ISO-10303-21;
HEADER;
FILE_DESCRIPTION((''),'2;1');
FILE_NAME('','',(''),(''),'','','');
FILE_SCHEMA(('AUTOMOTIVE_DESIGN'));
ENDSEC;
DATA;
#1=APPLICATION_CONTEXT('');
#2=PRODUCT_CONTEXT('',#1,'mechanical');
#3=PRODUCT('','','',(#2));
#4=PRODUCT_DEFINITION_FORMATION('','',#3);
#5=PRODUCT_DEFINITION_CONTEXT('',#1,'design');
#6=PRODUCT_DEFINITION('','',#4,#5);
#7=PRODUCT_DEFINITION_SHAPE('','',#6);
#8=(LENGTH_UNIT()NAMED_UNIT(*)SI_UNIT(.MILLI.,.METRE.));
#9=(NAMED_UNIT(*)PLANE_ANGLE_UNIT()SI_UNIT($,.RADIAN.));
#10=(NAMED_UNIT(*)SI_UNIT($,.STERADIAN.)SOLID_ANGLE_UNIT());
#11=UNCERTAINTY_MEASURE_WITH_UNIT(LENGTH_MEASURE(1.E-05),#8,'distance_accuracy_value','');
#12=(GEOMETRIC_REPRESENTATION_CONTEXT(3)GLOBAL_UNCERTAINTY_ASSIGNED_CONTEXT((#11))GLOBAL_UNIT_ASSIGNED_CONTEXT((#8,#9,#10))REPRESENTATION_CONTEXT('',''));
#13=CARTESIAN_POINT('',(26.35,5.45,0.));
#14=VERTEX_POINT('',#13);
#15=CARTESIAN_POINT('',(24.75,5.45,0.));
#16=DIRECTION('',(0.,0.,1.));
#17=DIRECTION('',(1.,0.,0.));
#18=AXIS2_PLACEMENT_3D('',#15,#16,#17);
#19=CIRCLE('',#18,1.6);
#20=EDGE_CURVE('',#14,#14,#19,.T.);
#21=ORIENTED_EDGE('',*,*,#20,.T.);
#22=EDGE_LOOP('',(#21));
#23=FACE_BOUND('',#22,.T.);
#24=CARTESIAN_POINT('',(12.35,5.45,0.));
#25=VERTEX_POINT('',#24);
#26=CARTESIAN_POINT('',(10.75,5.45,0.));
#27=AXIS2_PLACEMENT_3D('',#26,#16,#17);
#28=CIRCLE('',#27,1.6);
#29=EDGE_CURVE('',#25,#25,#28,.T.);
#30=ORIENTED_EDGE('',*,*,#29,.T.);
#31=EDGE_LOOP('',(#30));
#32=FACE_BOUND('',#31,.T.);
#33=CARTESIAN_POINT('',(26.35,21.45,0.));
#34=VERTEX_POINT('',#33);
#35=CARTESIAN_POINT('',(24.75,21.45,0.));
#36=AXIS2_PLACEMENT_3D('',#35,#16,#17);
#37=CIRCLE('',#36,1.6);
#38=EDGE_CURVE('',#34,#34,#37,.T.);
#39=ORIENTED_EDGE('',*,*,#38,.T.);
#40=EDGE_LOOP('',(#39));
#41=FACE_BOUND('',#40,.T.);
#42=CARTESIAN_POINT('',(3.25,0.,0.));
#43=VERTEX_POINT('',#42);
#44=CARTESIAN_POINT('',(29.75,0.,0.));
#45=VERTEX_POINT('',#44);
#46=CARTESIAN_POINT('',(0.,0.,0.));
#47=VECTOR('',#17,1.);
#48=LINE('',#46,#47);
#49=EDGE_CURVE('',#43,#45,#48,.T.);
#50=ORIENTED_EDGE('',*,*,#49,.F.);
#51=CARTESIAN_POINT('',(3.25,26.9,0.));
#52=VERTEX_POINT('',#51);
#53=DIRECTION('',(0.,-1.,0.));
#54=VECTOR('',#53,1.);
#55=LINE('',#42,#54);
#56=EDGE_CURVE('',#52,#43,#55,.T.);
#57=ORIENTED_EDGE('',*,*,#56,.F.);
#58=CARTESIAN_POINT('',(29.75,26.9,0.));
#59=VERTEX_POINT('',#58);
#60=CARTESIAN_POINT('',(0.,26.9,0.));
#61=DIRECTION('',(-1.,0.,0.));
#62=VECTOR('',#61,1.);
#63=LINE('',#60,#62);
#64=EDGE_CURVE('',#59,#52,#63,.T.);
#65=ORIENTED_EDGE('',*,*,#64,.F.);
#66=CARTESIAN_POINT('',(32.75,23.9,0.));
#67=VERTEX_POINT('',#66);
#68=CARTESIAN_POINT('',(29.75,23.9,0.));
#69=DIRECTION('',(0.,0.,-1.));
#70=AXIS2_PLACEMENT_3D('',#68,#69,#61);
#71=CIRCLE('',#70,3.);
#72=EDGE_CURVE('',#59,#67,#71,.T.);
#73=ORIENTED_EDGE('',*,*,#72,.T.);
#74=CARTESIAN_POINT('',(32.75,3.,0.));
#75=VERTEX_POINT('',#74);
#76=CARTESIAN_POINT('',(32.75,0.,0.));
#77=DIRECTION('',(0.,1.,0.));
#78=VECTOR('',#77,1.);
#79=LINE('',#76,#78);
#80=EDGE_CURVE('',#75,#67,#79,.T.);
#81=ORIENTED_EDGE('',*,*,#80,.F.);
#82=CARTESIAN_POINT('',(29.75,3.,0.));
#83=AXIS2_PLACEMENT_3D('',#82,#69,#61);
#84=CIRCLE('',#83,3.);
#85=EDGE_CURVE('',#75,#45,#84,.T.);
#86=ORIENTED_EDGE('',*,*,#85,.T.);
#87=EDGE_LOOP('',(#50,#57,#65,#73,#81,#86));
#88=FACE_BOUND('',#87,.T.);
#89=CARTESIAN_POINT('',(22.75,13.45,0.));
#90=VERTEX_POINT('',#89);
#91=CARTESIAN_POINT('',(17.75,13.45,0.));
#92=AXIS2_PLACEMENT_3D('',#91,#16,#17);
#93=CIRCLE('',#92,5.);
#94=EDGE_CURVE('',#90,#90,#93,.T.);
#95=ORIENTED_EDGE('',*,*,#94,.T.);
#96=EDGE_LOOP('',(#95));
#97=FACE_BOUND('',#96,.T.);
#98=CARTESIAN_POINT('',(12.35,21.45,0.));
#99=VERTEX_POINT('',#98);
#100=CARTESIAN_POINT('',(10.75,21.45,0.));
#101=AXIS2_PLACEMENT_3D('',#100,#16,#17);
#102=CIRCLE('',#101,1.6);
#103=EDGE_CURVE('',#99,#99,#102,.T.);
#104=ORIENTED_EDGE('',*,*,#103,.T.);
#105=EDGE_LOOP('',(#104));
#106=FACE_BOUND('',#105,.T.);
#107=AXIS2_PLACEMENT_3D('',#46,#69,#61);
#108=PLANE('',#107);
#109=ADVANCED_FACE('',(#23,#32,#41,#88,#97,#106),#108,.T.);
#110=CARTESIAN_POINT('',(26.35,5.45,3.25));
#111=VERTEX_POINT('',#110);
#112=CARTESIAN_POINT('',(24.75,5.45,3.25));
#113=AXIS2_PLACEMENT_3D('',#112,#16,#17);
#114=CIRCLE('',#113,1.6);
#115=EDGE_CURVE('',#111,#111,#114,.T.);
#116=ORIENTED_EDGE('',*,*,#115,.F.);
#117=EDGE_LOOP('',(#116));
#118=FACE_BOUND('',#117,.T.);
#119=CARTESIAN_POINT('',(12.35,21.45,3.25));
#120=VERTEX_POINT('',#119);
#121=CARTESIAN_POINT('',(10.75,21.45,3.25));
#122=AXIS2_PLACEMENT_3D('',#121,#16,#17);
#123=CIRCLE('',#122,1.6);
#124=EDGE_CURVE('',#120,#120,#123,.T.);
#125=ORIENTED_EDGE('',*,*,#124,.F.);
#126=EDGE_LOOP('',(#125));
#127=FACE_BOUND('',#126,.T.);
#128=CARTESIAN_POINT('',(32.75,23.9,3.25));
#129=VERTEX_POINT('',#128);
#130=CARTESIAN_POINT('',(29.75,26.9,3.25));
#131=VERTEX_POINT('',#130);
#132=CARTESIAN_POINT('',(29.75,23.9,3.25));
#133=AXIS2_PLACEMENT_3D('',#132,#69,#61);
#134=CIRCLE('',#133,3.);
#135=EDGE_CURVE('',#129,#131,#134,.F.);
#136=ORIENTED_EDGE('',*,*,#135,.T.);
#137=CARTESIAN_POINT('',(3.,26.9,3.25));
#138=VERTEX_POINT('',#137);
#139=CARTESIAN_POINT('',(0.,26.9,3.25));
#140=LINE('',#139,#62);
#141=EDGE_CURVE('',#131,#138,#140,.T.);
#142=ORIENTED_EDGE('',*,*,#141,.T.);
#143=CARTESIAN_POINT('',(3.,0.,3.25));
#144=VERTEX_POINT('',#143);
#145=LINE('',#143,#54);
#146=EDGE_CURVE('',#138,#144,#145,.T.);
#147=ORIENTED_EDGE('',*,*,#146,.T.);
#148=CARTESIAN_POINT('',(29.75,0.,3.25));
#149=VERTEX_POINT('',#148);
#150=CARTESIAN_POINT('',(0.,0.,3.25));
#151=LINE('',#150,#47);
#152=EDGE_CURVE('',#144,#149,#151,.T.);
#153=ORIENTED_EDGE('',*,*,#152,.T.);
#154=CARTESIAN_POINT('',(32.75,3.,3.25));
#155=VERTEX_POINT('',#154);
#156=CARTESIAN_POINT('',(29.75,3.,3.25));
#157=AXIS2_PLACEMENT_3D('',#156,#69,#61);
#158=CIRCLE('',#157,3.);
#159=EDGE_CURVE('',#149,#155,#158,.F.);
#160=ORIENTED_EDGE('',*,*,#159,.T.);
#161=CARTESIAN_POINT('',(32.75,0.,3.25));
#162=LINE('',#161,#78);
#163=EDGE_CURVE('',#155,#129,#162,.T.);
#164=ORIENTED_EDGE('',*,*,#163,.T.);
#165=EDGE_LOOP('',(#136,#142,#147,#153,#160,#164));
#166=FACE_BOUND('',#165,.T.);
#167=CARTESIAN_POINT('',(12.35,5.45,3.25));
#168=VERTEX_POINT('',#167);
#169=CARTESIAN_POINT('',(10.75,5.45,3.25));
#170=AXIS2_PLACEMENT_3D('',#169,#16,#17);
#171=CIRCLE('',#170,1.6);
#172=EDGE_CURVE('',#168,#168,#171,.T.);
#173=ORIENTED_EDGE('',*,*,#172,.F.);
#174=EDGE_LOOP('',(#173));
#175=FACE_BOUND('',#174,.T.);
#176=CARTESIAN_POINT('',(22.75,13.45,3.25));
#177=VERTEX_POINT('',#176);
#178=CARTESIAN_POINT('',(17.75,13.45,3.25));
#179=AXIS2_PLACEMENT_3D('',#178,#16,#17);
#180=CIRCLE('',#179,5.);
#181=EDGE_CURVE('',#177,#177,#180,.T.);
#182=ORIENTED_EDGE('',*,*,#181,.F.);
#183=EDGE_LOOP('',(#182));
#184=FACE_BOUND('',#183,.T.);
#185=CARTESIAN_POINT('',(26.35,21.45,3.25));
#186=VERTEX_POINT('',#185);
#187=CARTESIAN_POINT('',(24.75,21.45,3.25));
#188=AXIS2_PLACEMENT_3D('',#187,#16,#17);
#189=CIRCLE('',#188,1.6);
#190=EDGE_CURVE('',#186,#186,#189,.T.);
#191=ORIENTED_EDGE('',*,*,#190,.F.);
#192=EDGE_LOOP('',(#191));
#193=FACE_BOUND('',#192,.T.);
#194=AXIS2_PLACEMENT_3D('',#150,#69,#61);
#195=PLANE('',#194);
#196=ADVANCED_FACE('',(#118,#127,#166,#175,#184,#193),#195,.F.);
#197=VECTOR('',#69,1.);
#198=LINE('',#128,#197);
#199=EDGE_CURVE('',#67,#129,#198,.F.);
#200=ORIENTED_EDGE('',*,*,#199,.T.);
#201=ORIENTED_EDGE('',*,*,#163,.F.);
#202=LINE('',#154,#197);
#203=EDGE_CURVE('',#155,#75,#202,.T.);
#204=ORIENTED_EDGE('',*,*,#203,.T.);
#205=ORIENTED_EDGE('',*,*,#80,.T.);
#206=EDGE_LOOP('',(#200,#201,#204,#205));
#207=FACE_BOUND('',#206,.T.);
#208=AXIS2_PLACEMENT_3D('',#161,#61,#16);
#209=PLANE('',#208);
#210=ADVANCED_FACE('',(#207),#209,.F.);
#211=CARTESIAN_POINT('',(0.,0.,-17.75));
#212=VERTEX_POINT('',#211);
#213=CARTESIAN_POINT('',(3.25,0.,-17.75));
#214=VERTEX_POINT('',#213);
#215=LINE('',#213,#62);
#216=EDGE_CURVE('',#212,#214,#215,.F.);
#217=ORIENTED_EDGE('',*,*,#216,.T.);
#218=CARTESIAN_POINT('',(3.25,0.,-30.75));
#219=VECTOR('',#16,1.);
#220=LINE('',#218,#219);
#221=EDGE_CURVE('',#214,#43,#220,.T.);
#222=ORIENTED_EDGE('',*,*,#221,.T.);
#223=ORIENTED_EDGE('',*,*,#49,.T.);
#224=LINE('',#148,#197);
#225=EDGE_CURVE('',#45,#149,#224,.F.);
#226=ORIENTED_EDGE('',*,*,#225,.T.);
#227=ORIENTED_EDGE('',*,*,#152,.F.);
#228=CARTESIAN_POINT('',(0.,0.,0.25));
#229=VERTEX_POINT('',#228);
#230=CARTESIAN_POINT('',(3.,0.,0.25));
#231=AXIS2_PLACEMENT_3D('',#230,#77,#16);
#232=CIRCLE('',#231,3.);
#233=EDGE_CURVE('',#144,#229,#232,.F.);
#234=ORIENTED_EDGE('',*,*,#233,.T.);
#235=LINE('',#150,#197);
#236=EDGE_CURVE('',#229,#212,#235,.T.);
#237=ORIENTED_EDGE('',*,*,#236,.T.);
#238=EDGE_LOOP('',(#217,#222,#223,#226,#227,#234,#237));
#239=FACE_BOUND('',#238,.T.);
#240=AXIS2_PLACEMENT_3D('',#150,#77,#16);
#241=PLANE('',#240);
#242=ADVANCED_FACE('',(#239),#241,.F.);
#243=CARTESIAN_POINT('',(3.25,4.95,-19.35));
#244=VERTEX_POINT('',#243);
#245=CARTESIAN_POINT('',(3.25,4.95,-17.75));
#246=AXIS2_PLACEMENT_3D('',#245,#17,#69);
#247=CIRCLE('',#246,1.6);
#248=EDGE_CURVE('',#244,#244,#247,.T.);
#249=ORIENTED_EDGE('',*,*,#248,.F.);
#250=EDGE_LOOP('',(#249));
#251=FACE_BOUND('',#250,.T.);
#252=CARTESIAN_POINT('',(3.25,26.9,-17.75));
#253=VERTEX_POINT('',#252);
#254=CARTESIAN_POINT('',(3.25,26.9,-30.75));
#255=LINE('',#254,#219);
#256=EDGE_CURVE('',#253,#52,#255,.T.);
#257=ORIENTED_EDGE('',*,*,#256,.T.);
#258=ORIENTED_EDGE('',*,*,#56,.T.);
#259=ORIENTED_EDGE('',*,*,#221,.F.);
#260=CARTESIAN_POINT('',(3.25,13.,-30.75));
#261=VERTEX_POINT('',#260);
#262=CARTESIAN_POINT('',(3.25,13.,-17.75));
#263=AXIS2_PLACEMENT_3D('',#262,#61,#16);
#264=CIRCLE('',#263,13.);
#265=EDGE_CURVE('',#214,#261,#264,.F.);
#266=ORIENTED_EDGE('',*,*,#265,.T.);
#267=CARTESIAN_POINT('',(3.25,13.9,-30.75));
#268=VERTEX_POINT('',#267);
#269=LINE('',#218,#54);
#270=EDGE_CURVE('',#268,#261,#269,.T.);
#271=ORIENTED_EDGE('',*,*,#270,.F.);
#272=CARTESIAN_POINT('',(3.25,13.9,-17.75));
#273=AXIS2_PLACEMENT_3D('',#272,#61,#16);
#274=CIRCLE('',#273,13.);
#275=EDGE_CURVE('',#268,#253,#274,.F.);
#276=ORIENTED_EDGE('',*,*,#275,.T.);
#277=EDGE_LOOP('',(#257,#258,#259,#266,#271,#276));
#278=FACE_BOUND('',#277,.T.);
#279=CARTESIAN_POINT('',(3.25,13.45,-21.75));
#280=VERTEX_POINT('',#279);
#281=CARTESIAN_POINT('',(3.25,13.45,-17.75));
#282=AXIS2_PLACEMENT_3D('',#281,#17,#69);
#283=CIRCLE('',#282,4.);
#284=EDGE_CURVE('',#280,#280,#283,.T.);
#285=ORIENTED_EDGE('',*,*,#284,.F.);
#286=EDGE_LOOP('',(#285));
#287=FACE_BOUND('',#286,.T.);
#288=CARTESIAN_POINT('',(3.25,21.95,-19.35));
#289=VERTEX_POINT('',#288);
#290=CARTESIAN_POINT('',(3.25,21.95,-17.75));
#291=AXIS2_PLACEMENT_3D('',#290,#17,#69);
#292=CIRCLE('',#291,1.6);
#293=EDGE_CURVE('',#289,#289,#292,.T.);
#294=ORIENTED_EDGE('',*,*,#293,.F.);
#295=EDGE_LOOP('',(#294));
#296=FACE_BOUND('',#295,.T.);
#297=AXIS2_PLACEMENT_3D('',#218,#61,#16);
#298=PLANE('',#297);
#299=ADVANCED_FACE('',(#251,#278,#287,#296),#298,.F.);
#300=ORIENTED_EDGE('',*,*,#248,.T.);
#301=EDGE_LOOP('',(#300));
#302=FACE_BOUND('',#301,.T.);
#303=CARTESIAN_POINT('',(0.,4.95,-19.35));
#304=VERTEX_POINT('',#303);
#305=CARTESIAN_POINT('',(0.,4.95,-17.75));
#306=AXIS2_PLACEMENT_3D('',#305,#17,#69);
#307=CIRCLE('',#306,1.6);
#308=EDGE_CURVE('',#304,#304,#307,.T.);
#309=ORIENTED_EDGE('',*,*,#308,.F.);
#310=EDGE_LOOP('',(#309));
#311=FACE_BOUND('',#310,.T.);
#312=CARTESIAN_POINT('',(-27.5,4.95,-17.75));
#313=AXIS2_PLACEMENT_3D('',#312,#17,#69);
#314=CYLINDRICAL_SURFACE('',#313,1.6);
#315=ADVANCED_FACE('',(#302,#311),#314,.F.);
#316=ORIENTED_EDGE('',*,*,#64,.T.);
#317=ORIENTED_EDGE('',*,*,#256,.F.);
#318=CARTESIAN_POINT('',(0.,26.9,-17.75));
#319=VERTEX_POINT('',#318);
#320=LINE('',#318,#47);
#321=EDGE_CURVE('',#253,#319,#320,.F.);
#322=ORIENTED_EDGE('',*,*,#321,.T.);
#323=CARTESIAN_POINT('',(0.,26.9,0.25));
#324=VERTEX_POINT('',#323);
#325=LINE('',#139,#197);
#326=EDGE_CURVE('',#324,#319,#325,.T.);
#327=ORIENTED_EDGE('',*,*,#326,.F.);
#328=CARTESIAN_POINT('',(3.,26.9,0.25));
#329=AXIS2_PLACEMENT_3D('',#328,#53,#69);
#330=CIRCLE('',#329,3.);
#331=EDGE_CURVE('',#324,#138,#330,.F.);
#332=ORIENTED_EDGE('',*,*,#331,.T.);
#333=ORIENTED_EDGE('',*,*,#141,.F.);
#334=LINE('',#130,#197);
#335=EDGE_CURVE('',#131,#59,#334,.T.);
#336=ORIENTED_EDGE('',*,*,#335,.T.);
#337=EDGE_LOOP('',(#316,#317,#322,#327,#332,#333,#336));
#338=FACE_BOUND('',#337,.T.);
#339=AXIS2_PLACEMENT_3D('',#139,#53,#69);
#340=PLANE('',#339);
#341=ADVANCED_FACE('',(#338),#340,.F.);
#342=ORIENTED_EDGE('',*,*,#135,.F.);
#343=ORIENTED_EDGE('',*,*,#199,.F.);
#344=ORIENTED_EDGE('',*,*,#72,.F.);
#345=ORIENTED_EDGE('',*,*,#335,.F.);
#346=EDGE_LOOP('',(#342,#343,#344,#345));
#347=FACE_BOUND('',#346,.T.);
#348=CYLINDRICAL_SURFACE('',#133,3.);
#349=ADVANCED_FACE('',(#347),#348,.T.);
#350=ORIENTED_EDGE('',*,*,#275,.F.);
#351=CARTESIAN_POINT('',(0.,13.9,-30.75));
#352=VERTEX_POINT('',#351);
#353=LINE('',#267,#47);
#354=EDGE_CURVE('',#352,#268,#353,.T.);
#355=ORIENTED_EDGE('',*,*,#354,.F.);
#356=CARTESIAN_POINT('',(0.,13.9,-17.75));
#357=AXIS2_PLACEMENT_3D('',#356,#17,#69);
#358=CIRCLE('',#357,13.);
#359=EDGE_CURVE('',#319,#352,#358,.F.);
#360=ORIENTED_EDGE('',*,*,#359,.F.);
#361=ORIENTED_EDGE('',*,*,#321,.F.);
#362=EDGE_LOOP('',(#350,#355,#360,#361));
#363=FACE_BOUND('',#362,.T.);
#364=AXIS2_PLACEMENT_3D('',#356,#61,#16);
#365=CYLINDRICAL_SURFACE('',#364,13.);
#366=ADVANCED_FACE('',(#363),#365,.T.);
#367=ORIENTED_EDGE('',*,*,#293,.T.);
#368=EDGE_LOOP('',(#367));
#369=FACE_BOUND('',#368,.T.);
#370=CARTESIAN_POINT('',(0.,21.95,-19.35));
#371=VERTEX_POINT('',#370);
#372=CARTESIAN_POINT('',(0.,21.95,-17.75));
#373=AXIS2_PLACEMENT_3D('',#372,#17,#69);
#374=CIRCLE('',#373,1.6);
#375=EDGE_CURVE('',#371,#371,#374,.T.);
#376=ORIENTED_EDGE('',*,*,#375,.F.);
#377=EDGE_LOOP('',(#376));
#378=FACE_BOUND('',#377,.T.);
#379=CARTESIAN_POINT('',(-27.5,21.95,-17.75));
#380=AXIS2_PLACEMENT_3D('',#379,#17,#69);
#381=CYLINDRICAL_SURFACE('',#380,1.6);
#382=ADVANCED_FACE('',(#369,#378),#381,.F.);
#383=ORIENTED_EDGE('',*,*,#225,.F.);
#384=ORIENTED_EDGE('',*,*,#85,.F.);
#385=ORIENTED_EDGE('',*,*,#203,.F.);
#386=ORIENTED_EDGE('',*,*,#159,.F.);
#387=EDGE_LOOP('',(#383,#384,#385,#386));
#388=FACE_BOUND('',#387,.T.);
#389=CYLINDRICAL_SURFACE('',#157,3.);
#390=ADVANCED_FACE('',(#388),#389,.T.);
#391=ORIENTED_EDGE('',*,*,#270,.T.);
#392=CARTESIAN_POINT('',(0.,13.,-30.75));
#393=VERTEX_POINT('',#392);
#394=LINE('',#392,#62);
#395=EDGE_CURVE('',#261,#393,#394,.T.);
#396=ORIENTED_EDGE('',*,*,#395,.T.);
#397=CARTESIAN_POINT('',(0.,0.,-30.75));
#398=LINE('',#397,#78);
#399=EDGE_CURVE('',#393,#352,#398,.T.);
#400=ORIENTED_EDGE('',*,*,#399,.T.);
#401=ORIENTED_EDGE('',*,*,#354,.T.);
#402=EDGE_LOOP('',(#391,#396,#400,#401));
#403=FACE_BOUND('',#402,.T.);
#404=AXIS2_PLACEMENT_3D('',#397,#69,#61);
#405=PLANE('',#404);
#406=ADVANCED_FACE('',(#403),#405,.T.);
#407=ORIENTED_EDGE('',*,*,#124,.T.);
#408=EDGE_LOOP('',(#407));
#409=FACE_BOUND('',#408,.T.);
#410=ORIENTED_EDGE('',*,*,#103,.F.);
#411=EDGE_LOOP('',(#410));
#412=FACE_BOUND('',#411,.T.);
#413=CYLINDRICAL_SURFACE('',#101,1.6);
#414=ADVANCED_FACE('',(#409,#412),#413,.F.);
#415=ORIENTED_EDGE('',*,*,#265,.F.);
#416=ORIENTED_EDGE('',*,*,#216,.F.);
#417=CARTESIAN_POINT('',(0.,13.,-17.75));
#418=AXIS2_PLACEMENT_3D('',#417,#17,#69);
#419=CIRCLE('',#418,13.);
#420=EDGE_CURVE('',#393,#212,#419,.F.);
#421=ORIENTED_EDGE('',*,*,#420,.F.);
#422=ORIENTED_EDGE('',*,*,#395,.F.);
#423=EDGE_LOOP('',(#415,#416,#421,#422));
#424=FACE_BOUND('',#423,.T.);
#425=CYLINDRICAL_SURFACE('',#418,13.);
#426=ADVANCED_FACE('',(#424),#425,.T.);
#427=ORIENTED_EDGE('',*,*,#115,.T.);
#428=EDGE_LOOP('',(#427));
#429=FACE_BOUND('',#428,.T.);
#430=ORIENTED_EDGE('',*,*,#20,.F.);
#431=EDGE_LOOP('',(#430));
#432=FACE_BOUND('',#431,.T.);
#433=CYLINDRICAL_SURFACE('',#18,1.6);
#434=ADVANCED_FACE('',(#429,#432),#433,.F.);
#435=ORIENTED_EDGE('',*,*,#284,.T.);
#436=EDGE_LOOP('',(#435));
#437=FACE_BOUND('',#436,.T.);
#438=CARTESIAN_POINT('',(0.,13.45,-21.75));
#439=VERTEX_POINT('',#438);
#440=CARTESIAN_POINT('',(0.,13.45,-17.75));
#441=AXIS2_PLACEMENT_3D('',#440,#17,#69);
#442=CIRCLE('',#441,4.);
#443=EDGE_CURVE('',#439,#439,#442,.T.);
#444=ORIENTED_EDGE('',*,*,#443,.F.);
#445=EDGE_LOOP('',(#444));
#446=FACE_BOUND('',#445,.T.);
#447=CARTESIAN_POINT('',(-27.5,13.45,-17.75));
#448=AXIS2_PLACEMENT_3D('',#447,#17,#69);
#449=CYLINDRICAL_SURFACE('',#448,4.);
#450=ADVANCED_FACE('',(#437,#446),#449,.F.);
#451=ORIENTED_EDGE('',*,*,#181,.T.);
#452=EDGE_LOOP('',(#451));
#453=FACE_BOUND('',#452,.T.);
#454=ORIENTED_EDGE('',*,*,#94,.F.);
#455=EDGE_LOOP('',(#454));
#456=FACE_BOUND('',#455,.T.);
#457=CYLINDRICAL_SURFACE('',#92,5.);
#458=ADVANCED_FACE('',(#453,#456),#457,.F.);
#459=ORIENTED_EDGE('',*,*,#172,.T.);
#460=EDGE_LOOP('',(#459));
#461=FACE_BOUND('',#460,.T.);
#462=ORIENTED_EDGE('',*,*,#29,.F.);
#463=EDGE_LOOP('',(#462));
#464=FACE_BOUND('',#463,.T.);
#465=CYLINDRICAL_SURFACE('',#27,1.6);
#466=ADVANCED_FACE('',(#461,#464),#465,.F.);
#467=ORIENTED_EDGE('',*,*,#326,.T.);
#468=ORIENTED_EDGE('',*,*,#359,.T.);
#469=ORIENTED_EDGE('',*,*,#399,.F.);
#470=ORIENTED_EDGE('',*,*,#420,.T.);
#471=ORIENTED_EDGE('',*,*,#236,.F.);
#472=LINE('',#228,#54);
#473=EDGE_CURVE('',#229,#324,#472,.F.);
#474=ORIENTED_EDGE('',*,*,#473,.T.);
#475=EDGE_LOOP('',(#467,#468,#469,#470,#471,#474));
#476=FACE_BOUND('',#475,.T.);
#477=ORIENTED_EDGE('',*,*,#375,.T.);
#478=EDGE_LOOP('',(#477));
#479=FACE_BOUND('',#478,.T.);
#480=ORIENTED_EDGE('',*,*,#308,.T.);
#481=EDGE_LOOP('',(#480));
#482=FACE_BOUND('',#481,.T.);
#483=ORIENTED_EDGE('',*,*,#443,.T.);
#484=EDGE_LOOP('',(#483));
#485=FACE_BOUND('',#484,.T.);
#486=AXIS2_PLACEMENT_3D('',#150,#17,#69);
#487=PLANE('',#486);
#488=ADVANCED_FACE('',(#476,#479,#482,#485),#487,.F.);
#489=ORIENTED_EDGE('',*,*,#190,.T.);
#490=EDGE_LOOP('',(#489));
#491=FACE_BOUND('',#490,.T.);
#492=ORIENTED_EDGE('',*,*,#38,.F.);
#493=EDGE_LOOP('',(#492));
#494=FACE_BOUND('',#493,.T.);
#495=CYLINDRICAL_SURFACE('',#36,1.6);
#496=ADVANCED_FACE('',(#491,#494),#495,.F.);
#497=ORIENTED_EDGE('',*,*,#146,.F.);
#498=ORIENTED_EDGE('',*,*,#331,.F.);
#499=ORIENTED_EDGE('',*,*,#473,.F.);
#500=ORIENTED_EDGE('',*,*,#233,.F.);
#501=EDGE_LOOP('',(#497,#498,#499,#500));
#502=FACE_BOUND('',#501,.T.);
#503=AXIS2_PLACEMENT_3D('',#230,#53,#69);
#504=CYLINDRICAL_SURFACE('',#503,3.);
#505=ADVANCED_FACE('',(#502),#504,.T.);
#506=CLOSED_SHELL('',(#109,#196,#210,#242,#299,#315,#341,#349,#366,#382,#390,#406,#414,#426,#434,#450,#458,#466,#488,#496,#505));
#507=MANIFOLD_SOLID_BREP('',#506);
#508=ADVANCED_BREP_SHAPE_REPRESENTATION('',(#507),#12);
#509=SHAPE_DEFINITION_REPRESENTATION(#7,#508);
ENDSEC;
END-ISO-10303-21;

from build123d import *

# Parameters (mm, degrees)
SKETCH1_W           = 32.75
SKETCH1_H           = 26.9
BOSS_EXTRUDE1_DEPTH = 3.25
FILLET1_R           = 3
SKETCH2_R           = 5
SKETCH2_R_2         = 1.6
CUT_EXTRUDE1_DEPTH  = 3.25
SKETCH4_W           = 3.25
SKETCH4_H           = 26.9
BOSS_EXTRUDE2_DEPTH = 30.75
FILLET2_R           = 3
SKETCH5_R           = 4
SKETCH5_R_2         = 1.6
CUT_EXTRUDE2_DEPTH  = 30.75
FILLET4_R           = 13


with BuildPart() as part:
    # Sketch1 → Boss-Extrude1 (new body)
    with BuildSketch(Plane.XY):
        with Locations((16.375, 13.45)):
            Rectangle(SKETCH1_W, SKETCH1_H)
    extrude(amount=BOSS_EXTRUDE1_DEPTH)

    # Fillet1
    fillet1_edges = [part.edges().sort_by_distance(p)[0] for p in [
        (32.75, 26.9, 1.625),
        (32.75, 0, 1.625),
    ]]
    fillet(fillet1_edges, radius=FILLET1_R)

    # Sketch2 → Cut-Extrude1 (cut)
    with BuildSketch(Plane.XY.offset(3.25)):
        with BuildLine():
            ThreePointArc((12.35, 21.45), (9.61862915, 22.58137085), (10.75, 19.85))
            Line((10.75, 19.85), (10.75, 21.45))
            Line((10.75, 21.45), (12.35, 21.45))
        make_face()
        with BuildLine():
            Line((10.75, 21.45), (10.75, 19.85))
            ThreePointArc((10.75, 19.85), (11.88137085, 20.31862915), (12.35, 21.45))
            Line((12.35, 21.45), (10.75, 21.45))
        make_face()
        with Locations((17.75, 13.45)):
            Circle(SKETCH2_R)
        with Locations((24.75, 21.45)):
            Circle(SKETCH2_R_2)
        with Locations((24.75, 5.45)):
            Circle(SKETCH2_R_2)
        with Locations((10.75, 5.45)):
            Circle(SKETCH2_R_2)
    extrude(amount=-CUT_EXTRUDE1_DEPTH, mode=Mode.SUBTRACT)

    # Sketch4 → Boss-Extrude2 (add)
    with BuildSketch(Plane(origin=(0, 0, 0), x_dir=(-1, 0, 0), z_dir=(0, 0, -1))):
        with Locations((-1.625, 13.45)):
            Rectangle(SKETCH4_W, SKETCH4_H)
    extrude(amount=BOSS_EXTRUDE2_DEPTH)

    # Fillet2
    fillet2_edges = [part.edges().sort_by_distance(p)[0] for p in [
        (0, 13.45, 3.25),
    ]]
    fillet(fillet2_edges, radius=FILLET2_R)

    # Sketch5 → Cut-Extrude2 (cut)
    with BuildSketch(Plane(origin=(3.25, 0, 0), x_dir=(0, 0, -1), z_dir=(1, 0, 0))):
        with Locations((17.75, 13.45)):
            Circle(SKETCH5_R)
        with Locations((17.75, 21.95)):
            Circle(SKETCH5_R_2)
        with Locations((17.75, 4.95)):
            Circle(SKETCH5_R_2)
    extrude(amount=-CUT_EXTRUDE2_DEPTH, mode=Mode.SUBTRACT)

    # Fillet4
    fillet4_edges = [part.edges().sort_by_distance(p)[0] for p in [
        (1.625, 26.9, -30.75),
        (1.625, 0, -30.75),
    ]]
    fillet(fillet4_edges, radius=FILLET4_R)


solid = part.part
